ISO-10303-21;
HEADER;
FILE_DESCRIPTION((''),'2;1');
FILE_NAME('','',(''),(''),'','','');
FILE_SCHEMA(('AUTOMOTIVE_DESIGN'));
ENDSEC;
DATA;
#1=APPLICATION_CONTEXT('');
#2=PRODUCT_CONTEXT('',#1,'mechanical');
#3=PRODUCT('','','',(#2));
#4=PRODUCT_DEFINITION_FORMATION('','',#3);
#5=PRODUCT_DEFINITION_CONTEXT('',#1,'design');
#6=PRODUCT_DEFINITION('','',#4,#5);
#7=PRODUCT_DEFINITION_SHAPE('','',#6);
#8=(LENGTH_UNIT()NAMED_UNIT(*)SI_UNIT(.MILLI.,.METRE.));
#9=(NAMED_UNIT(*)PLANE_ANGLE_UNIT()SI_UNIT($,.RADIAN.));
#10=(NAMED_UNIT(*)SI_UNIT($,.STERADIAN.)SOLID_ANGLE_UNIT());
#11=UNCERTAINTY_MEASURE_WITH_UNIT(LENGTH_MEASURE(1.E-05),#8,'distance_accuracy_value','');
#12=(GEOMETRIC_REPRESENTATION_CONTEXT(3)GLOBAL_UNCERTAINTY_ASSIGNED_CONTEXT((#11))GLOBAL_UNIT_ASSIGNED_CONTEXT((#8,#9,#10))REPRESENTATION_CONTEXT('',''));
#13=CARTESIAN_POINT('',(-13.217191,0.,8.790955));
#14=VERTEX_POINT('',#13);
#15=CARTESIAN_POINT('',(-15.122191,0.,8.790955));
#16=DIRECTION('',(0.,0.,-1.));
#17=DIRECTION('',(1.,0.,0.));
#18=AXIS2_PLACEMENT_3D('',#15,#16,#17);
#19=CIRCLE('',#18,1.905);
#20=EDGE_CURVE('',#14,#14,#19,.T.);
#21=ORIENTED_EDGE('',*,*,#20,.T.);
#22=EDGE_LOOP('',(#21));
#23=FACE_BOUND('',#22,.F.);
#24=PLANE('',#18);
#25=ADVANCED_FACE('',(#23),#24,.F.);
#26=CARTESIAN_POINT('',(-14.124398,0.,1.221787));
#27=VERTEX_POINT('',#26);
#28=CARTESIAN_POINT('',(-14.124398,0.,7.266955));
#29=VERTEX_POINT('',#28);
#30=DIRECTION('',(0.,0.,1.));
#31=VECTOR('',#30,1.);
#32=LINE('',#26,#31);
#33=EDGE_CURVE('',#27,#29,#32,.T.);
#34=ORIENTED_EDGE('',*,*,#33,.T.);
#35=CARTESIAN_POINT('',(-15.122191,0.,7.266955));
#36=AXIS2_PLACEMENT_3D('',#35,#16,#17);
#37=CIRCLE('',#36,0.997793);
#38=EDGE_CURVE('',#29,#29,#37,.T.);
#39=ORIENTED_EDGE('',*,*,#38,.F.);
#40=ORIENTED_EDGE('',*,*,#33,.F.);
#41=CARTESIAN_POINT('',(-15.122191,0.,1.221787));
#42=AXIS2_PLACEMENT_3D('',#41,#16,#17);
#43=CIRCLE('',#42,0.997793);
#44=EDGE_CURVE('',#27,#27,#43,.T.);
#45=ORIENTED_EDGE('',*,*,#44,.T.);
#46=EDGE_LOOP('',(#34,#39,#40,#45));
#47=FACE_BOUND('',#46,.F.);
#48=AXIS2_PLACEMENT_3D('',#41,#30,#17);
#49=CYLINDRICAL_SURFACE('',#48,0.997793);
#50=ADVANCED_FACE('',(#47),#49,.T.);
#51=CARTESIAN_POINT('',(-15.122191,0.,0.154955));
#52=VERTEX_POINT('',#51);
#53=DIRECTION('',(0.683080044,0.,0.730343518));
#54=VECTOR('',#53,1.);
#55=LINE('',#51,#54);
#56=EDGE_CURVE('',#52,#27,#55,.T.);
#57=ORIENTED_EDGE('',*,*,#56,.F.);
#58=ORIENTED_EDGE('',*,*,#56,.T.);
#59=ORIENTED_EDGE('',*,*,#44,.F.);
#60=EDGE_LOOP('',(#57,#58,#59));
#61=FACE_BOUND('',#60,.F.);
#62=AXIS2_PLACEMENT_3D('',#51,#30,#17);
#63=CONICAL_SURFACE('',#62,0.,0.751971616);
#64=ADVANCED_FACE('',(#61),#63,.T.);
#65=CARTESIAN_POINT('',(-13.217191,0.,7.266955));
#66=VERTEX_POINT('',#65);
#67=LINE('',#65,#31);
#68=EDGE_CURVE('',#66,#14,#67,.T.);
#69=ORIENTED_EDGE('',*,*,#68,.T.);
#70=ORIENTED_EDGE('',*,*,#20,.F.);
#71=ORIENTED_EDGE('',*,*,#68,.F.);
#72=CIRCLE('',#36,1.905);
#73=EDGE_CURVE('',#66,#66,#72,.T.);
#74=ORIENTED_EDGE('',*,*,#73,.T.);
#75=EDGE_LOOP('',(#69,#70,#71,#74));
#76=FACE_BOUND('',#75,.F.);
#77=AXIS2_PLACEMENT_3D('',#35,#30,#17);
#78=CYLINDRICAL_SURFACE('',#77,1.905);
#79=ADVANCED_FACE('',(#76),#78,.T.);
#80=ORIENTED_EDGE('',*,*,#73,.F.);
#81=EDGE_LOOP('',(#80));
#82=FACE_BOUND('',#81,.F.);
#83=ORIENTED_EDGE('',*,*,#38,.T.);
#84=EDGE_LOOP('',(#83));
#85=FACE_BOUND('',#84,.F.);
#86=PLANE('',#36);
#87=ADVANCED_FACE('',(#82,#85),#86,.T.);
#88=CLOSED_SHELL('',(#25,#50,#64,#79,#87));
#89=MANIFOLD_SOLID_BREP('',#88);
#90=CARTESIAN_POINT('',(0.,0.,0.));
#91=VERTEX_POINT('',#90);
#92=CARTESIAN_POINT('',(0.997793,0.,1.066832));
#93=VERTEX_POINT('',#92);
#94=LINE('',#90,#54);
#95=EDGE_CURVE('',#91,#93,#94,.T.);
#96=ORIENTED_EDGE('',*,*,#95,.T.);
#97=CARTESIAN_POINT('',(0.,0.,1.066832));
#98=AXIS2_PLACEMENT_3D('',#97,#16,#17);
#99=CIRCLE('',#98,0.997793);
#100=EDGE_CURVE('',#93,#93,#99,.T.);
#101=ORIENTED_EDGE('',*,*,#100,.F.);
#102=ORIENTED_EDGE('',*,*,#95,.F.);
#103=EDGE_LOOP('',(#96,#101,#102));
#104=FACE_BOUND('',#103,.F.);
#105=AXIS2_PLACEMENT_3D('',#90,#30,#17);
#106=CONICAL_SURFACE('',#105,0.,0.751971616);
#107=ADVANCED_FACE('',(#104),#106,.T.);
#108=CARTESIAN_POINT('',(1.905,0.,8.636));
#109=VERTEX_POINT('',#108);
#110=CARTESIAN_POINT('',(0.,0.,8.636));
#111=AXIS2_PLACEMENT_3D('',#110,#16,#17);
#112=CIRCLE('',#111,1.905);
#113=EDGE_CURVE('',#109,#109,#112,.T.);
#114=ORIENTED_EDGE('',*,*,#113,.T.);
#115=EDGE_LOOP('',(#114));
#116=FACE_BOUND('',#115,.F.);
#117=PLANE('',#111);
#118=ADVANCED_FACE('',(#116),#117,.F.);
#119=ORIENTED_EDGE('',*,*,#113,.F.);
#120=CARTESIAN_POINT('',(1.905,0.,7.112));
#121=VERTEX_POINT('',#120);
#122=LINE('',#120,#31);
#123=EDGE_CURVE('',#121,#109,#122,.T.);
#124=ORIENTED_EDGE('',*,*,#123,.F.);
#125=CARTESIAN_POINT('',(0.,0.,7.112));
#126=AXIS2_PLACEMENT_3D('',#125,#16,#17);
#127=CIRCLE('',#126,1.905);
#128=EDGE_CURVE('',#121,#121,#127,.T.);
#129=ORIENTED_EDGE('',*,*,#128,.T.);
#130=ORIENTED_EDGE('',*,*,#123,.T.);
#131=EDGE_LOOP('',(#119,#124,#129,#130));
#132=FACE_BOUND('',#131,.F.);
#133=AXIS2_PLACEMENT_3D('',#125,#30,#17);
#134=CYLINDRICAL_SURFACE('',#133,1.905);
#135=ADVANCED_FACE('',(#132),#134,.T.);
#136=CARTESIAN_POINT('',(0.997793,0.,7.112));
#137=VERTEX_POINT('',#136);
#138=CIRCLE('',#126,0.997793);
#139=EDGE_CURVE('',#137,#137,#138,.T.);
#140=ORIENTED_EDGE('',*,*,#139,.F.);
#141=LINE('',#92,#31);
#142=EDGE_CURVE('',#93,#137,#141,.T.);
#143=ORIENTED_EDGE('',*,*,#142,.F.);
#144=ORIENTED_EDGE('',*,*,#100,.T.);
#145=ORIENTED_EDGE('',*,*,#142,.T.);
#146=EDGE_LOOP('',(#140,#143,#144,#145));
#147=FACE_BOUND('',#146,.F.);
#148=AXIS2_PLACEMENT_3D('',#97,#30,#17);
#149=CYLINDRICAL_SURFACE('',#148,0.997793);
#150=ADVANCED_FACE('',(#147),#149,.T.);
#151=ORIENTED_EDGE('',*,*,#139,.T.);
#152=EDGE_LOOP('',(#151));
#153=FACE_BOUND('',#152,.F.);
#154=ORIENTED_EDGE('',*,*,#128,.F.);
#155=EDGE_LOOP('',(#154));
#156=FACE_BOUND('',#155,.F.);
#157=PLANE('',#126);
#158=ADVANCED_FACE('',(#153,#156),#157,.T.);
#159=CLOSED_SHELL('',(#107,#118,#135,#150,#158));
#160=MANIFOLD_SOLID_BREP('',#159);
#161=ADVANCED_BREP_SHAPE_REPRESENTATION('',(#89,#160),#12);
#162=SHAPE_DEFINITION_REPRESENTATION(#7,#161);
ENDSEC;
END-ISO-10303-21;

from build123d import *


with BuildPart() as f1:
    # F0 (on Front) → F1 (revolve)
    with BuildSketch(Plane.XZ):
        Polygon((0, 8.636), (0, 0), (0.997793, 1.066832), (0.997793, 7.112), (1.905, 7.112), (1.905, 8.636), align=None)
    revolve(axis=Axis((0, 0, 4.318), (0, 0, -1)))


with BuildPart() as f3:
    # F2 (on Front) → F3 (revolve)
    with BuildSketch(Plane.XZ):
        Polygon((-15.122191, 8.790955), (-15.122191, 0.154955), (-14.124398, 1.221787), (-14.124398, 7.266955), (-13.217191, 7.266955), (-13.217191, 8.790955), align=None)
    revolve(axis=Axis((-15.122191, 0, 4.472955), (0, 0, -1)))


solid = Compound([f1.part, f3.part])
